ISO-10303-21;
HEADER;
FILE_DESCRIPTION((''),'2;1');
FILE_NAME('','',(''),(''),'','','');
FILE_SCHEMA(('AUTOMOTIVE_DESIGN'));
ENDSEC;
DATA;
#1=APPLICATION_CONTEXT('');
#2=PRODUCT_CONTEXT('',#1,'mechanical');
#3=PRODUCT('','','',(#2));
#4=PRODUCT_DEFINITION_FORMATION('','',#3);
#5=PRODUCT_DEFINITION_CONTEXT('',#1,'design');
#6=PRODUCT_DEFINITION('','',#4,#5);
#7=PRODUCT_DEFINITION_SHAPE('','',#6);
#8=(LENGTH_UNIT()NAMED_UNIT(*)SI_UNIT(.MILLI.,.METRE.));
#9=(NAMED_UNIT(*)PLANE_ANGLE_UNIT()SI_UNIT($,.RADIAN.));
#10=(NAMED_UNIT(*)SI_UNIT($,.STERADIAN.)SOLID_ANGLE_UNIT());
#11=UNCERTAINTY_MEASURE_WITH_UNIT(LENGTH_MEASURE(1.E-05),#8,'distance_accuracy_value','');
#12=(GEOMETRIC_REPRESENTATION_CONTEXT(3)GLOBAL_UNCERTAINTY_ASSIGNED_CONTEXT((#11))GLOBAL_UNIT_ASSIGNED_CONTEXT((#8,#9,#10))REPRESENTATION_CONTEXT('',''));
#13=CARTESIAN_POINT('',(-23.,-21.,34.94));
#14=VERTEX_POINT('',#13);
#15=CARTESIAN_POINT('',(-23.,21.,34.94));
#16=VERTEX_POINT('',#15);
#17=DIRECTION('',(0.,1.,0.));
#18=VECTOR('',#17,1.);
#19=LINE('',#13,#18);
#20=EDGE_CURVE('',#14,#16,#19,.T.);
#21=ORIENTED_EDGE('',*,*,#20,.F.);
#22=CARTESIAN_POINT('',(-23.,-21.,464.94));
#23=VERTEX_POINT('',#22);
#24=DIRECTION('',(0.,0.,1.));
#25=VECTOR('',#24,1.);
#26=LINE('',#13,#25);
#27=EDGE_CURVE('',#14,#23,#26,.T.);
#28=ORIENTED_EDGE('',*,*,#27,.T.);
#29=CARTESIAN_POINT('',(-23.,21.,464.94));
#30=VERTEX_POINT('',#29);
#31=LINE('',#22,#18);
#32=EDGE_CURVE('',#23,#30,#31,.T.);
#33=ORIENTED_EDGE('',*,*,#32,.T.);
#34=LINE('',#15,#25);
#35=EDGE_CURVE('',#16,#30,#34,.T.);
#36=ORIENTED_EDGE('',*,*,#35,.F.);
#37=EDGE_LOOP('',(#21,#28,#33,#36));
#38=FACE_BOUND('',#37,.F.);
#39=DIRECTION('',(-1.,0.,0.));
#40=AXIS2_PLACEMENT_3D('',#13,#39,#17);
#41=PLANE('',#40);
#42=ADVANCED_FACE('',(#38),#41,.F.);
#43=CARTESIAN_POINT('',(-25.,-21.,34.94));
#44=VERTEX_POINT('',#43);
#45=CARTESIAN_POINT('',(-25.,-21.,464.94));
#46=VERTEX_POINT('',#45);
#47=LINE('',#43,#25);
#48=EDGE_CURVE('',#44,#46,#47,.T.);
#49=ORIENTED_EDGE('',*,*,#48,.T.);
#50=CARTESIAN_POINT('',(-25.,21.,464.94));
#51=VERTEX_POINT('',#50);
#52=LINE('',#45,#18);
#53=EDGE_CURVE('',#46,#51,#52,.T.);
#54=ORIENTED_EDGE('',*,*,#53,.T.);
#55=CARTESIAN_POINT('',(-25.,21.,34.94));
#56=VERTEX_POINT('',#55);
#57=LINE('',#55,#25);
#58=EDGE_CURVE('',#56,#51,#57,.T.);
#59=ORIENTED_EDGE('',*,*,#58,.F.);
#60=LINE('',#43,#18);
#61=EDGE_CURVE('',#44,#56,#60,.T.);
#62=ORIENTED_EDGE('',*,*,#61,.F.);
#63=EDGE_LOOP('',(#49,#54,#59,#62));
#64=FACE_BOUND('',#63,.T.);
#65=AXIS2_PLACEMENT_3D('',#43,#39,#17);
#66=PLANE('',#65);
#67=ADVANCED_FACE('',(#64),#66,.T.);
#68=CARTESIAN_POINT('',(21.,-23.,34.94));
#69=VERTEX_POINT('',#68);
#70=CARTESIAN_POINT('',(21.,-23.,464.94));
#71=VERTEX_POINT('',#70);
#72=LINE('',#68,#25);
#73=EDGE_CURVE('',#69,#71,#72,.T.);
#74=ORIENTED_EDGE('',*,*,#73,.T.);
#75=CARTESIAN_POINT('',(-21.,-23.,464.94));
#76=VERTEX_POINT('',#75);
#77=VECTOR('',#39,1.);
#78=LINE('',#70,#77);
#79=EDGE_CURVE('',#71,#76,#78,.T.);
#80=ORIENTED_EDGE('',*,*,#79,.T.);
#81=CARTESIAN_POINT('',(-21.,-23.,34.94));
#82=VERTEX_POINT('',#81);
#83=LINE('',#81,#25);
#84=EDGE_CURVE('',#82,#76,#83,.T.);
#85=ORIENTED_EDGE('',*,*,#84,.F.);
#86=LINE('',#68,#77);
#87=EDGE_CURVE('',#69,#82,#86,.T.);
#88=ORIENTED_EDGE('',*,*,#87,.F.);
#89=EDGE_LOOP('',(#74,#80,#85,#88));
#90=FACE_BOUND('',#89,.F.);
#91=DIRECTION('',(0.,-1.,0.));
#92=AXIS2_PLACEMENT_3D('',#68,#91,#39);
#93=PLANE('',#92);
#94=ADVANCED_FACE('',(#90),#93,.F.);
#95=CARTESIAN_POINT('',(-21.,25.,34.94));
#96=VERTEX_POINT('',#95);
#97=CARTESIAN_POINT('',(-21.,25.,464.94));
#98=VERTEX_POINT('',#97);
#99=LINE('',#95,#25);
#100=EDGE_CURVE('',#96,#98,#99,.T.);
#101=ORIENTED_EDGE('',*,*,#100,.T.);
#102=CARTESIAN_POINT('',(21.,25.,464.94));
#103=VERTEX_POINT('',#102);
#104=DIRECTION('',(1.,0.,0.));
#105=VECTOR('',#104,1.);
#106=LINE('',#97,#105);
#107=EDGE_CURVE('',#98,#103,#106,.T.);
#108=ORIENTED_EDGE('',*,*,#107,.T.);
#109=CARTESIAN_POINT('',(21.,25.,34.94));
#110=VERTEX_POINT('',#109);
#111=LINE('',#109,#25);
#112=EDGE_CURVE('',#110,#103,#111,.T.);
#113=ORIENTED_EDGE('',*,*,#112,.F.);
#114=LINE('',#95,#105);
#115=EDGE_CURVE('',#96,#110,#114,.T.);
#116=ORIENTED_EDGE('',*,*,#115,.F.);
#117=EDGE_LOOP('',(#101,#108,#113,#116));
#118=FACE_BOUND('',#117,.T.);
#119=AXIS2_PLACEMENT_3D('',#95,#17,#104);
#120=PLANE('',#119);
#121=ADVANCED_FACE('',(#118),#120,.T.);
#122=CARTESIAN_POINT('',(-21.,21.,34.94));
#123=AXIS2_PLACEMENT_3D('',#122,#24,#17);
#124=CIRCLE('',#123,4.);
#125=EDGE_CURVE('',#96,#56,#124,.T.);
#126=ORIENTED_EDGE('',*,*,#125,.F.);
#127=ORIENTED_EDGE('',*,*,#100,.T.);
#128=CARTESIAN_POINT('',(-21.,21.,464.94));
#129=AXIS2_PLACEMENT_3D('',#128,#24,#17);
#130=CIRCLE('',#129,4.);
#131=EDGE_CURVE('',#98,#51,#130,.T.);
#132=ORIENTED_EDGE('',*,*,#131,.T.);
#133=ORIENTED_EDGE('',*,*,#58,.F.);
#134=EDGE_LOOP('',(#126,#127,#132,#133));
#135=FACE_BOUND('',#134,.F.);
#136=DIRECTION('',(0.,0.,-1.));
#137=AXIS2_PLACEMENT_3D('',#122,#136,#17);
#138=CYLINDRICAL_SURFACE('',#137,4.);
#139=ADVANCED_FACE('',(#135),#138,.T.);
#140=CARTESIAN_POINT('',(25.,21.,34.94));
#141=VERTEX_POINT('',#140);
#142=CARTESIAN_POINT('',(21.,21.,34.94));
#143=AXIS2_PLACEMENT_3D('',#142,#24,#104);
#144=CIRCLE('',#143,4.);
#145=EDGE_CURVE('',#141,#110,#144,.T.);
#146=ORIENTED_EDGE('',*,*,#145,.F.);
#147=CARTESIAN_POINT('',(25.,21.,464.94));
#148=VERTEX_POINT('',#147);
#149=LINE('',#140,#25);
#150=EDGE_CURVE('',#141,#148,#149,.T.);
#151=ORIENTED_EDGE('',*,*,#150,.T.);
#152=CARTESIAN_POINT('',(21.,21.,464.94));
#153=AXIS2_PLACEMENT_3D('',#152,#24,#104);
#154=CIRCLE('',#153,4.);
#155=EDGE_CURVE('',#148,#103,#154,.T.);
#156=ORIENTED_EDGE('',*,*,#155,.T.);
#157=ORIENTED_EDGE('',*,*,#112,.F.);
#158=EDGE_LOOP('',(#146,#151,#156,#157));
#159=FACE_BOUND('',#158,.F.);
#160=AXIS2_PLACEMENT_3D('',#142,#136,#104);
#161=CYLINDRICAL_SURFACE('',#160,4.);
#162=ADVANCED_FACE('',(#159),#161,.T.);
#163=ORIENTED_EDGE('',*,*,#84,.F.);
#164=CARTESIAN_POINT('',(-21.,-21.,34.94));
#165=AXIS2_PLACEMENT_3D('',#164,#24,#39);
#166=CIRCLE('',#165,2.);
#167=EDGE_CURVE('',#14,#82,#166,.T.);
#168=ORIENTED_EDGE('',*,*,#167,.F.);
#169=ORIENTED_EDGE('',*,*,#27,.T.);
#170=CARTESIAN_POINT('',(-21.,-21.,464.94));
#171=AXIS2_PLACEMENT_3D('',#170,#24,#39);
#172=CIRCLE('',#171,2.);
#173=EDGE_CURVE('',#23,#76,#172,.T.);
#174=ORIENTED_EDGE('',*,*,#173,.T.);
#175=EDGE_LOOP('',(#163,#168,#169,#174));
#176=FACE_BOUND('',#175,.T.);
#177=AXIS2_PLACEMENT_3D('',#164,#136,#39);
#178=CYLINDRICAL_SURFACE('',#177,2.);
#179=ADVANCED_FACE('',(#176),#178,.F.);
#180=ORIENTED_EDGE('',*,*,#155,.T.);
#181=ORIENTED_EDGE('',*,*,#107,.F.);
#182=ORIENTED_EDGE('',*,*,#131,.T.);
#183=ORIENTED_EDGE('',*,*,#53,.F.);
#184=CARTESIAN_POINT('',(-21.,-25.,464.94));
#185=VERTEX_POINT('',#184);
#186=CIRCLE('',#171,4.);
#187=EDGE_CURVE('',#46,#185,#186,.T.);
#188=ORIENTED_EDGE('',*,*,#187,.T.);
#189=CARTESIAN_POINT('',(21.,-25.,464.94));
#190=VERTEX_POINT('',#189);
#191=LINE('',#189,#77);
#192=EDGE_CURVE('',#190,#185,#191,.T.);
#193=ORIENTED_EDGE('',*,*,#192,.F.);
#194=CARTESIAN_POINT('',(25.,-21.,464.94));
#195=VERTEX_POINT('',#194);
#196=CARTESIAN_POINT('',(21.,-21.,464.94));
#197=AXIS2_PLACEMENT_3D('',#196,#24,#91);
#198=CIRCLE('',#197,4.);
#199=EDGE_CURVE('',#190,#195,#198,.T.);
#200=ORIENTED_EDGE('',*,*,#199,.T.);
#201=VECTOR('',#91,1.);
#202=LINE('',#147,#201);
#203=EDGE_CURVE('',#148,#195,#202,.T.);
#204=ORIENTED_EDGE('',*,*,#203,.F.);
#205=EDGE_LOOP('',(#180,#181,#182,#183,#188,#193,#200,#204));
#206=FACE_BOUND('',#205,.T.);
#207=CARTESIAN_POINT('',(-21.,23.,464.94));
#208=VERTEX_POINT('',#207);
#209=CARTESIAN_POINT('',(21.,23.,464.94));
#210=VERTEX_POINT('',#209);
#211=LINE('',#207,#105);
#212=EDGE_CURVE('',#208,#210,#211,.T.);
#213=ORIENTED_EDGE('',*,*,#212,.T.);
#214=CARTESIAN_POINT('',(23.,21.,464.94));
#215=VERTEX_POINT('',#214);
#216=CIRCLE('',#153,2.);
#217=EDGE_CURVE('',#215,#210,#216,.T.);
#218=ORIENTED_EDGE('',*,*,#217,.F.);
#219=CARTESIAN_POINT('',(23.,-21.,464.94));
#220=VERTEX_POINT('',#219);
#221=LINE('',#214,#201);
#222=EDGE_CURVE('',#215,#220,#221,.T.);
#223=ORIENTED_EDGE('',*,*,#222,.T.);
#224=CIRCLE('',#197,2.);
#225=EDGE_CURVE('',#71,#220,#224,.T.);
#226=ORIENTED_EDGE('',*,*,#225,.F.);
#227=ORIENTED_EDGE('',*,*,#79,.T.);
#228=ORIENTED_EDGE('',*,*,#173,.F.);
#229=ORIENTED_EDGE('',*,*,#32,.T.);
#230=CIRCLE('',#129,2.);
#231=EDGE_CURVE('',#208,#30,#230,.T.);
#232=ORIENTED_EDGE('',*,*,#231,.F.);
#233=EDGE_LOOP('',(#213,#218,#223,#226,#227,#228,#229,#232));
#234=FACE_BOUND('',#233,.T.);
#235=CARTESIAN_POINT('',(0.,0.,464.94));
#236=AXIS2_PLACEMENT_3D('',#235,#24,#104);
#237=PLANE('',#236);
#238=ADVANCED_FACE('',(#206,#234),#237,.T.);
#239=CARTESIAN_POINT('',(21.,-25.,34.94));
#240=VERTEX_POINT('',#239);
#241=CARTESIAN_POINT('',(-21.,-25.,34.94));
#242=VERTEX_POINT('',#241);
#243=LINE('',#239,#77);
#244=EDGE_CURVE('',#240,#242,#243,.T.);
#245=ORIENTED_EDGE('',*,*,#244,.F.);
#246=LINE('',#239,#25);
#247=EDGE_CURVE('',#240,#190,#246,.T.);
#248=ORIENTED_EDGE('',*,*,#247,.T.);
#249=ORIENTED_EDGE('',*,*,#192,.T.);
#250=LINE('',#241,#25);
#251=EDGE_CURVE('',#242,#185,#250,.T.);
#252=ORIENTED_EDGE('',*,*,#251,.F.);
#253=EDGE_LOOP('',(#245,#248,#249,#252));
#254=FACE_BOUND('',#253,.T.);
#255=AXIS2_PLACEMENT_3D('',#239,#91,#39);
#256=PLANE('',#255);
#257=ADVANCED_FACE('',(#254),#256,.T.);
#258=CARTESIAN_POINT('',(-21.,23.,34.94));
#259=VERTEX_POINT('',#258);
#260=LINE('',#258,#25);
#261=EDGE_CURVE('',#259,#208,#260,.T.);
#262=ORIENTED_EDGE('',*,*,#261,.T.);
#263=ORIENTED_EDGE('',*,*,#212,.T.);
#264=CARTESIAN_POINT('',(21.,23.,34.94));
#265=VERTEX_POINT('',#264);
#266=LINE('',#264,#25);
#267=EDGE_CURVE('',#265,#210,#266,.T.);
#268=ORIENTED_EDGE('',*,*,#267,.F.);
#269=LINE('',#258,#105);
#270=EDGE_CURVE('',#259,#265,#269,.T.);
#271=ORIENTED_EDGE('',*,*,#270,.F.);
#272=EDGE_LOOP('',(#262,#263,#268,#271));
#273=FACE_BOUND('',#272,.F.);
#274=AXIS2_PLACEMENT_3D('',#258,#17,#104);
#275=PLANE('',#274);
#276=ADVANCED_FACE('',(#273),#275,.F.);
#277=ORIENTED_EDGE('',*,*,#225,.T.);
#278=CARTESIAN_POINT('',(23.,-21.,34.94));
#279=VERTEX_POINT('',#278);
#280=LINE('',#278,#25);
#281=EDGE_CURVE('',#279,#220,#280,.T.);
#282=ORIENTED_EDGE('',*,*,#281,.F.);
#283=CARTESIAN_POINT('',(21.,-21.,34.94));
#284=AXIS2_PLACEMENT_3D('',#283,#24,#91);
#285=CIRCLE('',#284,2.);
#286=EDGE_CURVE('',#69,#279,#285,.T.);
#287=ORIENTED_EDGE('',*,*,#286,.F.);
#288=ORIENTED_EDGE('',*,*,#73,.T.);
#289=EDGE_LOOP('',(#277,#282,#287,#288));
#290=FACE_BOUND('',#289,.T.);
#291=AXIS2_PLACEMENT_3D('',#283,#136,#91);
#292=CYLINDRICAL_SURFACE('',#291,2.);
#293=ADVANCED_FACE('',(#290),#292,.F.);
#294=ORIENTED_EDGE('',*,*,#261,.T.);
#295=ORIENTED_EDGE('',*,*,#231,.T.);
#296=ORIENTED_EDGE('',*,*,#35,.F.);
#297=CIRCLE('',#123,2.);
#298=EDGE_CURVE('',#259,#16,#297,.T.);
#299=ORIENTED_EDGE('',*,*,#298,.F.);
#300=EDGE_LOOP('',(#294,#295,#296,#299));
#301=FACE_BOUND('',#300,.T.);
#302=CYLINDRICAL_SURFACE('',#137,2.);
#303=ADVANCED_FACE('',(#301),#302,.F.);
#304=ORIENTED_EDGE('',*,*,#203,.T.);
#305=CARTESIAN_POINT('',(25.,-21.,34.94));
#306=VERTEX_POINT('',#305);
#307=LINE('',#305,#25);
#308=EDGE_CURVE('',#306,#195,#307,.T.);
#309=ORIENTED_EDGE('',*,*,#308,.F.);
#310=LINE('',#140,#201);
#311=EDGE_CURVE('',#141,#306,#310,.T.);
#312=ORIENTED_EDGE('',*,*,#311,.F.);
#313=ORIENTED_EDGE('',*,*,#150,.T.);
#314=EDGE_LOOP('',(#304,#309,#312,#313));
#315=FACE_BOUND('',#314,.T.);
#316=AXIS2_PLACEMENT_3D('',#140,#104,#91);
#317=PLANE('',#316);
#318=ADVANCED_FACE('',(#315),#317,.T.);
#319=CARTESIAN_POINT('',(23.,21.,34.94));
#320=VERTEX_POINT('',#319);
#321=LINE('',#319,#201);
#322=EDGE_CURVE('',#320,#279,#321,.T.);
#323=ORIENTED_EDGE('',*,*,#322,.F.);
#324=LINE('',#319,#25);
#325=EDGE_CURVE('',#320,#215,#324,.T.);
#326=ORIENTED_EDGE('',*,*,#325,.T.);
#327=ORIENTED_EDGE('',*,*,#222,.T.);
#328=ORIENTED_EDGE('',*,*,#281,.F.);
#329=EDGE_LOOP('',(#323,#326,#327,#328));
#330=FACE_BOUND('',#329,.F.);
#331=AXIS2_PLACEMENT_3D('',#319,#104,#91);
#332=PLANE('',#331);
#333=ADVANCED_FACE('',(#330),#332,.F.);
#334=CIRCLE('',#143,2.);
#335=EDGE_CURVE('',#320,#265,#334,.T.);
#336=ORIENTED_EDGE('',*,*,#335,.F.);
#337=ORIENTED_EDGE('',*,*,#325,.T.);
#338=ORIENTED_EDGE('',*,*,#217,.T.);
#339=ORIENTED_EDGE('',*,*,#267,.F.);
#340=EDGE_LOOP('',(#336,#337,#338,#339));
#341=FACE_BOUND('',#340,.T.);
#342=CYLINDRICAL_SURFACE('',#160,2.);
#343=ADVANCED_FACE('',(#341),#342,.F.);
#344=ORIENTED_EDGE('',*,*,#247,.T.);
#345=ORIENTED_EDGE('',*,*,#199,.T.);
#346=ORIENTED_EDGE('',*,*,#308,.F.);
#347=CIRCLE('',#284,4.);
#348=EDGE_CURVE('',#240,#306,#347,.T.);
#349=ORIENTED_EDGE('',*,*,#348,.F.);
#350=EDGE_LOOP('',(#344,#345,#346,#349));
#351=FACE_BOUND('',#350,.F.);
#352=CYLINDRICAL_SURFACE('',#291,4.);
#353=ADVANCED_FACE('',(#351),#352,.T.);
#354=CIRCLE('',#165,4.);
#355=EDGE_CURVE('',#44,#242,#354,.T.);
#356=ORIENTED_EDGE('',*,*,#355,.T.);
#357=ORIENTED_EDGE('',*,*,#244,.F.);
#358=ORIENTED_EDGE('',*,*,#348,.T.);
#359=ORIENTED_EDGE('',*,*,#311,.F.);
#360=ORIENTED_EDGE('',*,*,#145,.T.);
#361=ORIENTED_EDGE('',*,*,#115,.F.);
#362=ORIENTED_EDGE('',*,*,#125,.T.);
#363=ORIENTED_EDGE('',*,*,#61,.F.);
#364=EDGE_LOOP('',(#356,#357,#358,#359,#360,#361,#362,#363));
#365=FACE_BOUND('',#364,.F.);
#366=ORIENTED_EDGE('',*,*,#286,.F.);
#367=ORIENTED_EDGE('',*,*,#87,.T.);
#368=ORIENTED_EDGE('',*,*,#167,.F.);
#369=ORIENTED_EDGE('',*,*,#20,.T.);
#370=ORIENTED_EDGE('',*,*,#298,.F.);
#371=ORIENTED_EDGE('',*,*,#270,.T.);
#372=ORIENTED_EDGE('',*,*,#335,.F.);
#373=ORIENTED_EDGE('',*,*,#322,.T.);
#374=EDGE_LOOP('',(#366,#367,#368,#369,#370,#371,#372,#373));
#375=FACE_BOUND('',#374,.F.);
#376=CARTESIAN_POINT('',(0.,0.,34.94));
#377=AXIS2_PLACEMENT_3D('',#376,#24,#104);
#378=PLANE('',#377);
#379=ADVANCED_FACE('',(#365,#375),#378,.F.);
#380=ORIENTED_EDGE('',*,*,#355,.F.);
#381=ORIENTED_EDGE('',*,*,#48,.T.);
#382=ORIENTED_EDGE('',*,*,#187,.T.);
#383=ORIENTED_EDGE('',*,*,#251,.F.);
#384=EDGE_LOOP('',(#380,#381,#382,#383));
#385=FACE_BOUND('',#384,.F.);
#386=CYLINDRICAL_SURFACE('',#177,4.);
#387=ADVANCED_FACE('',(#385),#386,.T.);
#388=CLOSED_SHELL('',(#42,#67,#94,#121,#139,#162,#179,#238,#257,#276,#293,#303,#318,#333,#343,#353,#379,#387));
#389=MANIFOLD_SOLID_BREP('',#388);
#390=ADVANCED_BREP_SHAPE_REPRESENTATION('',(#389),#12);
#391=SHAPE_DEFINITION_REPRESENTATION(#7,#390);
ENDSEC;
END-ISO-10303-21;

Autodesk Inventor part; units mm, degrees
ref_plane "Start Plane" through (0, 0, 34.94) normal (0, 0, 1) x (1, 0, 0)
ref_plane "End Plane" through (0, 0, 464.94) normal (0, 0, 1) x (1, 0, 0)
sketch "Sketch" plane through (0, 0, 0) normal (0, 0, 1) x (1, 0, 0)
  line L0 (-25, -21) -> (-25, 21)
  line L1 (-21, 25) -> (21, 25)
  line L2 (25, 21) -> (25, -21)
  line L3 (21, -25) -> (-21, -25)
  arc A0 (-25, -21) -> (-21, -25) centre (-21, -21) ccw
  arc A1 (25, 21) -> (21, 25) centre (21, 21) ccw
  arc A2 (-21, 25) -> (-25, 21) centre (-21, 21) ccw
  arc A3 (21, -25) -> (25, -21) centre (21, -21) ccw
  arc A4 (-21, 23) -> (-23, 21) centre (-21, 21) ccw
  line L4 (-21, 23) -> (21, 23)
  arc A5 (23, 21) -> (21, 23) centre (21, 21) ccw
  line L5 (23, 21) -> (23, -21)
  arc A6 (21, -23) -> (23, -21) centre (21, -21) ccw
  line L6 (21, -23) -> (-21, -23)
  arc A7 (-23, -21) -> (-21, -23) centre (-21, -21) ccw
  line L7 (-23, -21) -> (-23, 21)
  line L8 (0, 36.1598) -> (0, -36.1598) construction
  line L9 (-36.1598, 0) -> (36.1598, 0) construction
  dimension "d7" = 4
  dimension "d9" = 50
  dimension "d11" = 50
  dimension "d12" = 2
  dimension "d15" = 25
  dimension "d16" = 25
extrude "Body" add sketch "Sketch" along normal up to surface (430 mm away) from surface at 34.94
sketch "Sketch3" plane through (0, 0, 0) normal (0, 0, 1) x (1, 0, 0)
  line L0 (0, 0) -> (10, 0)
ref_plane "Work Plane3" through (0, 0, 0) normal (0, -1, 0) x (1, 0, 0)
sketch "Sketch4" plane through (0, 0, 0) normal (0, -1, 0) x (1, 0, 0)
  line L0 (-2, 34.94) -> (12, 34.94)
  line L1 (-2, 464.94) -> (12, 464.94)
  dimension "d18" = 430
ref_plane "Work Plane4" through (1675, 29, 34.94) normal (0, 0, -1) x (-1, 0, 0)
split "Split1" plane through (1675, 29, 34.94) removes the side toward (0, 0, -1)
ref_plane "Work Plane5" through (-635, 29, 464.94) normal (0, 0, 1) x (1, 0, 0)
split "Split2" plane through (-635, 29, 464.94) removes the side toward (0, 0, 1)
equation "\"d7\" = G_IR"
equation "\"d9\" = G_W"
equation "\"d11\" = G_H"
equation "\"d12\" = G_T"
equation "\"d15\" = 0.5 * d9"
equation "\"d16\" = 0.5 * d11"
equation "\"d3\" = G_L"
equation "\"G_W\" = 50"
equation "\"G_H\" = 50"
equation "\"G_T\" = 2"
equation "\"G_IR\" = 4"
equation "\"G_L\" = d18"
equation "\"G_OFFSET_START\" = -34.94003"
equation "\"G_OFFSET_END\" = -35.05997"
equation "\"d13\" = -G_OFFSET_START"
equation "\"d14\" = G_OFFSET_END + B_L"
equation "\"B_L\" = 500"
properties part number "ISO 10799-2 - 50x50x2 - 430" material "Steel, Galvanized"
